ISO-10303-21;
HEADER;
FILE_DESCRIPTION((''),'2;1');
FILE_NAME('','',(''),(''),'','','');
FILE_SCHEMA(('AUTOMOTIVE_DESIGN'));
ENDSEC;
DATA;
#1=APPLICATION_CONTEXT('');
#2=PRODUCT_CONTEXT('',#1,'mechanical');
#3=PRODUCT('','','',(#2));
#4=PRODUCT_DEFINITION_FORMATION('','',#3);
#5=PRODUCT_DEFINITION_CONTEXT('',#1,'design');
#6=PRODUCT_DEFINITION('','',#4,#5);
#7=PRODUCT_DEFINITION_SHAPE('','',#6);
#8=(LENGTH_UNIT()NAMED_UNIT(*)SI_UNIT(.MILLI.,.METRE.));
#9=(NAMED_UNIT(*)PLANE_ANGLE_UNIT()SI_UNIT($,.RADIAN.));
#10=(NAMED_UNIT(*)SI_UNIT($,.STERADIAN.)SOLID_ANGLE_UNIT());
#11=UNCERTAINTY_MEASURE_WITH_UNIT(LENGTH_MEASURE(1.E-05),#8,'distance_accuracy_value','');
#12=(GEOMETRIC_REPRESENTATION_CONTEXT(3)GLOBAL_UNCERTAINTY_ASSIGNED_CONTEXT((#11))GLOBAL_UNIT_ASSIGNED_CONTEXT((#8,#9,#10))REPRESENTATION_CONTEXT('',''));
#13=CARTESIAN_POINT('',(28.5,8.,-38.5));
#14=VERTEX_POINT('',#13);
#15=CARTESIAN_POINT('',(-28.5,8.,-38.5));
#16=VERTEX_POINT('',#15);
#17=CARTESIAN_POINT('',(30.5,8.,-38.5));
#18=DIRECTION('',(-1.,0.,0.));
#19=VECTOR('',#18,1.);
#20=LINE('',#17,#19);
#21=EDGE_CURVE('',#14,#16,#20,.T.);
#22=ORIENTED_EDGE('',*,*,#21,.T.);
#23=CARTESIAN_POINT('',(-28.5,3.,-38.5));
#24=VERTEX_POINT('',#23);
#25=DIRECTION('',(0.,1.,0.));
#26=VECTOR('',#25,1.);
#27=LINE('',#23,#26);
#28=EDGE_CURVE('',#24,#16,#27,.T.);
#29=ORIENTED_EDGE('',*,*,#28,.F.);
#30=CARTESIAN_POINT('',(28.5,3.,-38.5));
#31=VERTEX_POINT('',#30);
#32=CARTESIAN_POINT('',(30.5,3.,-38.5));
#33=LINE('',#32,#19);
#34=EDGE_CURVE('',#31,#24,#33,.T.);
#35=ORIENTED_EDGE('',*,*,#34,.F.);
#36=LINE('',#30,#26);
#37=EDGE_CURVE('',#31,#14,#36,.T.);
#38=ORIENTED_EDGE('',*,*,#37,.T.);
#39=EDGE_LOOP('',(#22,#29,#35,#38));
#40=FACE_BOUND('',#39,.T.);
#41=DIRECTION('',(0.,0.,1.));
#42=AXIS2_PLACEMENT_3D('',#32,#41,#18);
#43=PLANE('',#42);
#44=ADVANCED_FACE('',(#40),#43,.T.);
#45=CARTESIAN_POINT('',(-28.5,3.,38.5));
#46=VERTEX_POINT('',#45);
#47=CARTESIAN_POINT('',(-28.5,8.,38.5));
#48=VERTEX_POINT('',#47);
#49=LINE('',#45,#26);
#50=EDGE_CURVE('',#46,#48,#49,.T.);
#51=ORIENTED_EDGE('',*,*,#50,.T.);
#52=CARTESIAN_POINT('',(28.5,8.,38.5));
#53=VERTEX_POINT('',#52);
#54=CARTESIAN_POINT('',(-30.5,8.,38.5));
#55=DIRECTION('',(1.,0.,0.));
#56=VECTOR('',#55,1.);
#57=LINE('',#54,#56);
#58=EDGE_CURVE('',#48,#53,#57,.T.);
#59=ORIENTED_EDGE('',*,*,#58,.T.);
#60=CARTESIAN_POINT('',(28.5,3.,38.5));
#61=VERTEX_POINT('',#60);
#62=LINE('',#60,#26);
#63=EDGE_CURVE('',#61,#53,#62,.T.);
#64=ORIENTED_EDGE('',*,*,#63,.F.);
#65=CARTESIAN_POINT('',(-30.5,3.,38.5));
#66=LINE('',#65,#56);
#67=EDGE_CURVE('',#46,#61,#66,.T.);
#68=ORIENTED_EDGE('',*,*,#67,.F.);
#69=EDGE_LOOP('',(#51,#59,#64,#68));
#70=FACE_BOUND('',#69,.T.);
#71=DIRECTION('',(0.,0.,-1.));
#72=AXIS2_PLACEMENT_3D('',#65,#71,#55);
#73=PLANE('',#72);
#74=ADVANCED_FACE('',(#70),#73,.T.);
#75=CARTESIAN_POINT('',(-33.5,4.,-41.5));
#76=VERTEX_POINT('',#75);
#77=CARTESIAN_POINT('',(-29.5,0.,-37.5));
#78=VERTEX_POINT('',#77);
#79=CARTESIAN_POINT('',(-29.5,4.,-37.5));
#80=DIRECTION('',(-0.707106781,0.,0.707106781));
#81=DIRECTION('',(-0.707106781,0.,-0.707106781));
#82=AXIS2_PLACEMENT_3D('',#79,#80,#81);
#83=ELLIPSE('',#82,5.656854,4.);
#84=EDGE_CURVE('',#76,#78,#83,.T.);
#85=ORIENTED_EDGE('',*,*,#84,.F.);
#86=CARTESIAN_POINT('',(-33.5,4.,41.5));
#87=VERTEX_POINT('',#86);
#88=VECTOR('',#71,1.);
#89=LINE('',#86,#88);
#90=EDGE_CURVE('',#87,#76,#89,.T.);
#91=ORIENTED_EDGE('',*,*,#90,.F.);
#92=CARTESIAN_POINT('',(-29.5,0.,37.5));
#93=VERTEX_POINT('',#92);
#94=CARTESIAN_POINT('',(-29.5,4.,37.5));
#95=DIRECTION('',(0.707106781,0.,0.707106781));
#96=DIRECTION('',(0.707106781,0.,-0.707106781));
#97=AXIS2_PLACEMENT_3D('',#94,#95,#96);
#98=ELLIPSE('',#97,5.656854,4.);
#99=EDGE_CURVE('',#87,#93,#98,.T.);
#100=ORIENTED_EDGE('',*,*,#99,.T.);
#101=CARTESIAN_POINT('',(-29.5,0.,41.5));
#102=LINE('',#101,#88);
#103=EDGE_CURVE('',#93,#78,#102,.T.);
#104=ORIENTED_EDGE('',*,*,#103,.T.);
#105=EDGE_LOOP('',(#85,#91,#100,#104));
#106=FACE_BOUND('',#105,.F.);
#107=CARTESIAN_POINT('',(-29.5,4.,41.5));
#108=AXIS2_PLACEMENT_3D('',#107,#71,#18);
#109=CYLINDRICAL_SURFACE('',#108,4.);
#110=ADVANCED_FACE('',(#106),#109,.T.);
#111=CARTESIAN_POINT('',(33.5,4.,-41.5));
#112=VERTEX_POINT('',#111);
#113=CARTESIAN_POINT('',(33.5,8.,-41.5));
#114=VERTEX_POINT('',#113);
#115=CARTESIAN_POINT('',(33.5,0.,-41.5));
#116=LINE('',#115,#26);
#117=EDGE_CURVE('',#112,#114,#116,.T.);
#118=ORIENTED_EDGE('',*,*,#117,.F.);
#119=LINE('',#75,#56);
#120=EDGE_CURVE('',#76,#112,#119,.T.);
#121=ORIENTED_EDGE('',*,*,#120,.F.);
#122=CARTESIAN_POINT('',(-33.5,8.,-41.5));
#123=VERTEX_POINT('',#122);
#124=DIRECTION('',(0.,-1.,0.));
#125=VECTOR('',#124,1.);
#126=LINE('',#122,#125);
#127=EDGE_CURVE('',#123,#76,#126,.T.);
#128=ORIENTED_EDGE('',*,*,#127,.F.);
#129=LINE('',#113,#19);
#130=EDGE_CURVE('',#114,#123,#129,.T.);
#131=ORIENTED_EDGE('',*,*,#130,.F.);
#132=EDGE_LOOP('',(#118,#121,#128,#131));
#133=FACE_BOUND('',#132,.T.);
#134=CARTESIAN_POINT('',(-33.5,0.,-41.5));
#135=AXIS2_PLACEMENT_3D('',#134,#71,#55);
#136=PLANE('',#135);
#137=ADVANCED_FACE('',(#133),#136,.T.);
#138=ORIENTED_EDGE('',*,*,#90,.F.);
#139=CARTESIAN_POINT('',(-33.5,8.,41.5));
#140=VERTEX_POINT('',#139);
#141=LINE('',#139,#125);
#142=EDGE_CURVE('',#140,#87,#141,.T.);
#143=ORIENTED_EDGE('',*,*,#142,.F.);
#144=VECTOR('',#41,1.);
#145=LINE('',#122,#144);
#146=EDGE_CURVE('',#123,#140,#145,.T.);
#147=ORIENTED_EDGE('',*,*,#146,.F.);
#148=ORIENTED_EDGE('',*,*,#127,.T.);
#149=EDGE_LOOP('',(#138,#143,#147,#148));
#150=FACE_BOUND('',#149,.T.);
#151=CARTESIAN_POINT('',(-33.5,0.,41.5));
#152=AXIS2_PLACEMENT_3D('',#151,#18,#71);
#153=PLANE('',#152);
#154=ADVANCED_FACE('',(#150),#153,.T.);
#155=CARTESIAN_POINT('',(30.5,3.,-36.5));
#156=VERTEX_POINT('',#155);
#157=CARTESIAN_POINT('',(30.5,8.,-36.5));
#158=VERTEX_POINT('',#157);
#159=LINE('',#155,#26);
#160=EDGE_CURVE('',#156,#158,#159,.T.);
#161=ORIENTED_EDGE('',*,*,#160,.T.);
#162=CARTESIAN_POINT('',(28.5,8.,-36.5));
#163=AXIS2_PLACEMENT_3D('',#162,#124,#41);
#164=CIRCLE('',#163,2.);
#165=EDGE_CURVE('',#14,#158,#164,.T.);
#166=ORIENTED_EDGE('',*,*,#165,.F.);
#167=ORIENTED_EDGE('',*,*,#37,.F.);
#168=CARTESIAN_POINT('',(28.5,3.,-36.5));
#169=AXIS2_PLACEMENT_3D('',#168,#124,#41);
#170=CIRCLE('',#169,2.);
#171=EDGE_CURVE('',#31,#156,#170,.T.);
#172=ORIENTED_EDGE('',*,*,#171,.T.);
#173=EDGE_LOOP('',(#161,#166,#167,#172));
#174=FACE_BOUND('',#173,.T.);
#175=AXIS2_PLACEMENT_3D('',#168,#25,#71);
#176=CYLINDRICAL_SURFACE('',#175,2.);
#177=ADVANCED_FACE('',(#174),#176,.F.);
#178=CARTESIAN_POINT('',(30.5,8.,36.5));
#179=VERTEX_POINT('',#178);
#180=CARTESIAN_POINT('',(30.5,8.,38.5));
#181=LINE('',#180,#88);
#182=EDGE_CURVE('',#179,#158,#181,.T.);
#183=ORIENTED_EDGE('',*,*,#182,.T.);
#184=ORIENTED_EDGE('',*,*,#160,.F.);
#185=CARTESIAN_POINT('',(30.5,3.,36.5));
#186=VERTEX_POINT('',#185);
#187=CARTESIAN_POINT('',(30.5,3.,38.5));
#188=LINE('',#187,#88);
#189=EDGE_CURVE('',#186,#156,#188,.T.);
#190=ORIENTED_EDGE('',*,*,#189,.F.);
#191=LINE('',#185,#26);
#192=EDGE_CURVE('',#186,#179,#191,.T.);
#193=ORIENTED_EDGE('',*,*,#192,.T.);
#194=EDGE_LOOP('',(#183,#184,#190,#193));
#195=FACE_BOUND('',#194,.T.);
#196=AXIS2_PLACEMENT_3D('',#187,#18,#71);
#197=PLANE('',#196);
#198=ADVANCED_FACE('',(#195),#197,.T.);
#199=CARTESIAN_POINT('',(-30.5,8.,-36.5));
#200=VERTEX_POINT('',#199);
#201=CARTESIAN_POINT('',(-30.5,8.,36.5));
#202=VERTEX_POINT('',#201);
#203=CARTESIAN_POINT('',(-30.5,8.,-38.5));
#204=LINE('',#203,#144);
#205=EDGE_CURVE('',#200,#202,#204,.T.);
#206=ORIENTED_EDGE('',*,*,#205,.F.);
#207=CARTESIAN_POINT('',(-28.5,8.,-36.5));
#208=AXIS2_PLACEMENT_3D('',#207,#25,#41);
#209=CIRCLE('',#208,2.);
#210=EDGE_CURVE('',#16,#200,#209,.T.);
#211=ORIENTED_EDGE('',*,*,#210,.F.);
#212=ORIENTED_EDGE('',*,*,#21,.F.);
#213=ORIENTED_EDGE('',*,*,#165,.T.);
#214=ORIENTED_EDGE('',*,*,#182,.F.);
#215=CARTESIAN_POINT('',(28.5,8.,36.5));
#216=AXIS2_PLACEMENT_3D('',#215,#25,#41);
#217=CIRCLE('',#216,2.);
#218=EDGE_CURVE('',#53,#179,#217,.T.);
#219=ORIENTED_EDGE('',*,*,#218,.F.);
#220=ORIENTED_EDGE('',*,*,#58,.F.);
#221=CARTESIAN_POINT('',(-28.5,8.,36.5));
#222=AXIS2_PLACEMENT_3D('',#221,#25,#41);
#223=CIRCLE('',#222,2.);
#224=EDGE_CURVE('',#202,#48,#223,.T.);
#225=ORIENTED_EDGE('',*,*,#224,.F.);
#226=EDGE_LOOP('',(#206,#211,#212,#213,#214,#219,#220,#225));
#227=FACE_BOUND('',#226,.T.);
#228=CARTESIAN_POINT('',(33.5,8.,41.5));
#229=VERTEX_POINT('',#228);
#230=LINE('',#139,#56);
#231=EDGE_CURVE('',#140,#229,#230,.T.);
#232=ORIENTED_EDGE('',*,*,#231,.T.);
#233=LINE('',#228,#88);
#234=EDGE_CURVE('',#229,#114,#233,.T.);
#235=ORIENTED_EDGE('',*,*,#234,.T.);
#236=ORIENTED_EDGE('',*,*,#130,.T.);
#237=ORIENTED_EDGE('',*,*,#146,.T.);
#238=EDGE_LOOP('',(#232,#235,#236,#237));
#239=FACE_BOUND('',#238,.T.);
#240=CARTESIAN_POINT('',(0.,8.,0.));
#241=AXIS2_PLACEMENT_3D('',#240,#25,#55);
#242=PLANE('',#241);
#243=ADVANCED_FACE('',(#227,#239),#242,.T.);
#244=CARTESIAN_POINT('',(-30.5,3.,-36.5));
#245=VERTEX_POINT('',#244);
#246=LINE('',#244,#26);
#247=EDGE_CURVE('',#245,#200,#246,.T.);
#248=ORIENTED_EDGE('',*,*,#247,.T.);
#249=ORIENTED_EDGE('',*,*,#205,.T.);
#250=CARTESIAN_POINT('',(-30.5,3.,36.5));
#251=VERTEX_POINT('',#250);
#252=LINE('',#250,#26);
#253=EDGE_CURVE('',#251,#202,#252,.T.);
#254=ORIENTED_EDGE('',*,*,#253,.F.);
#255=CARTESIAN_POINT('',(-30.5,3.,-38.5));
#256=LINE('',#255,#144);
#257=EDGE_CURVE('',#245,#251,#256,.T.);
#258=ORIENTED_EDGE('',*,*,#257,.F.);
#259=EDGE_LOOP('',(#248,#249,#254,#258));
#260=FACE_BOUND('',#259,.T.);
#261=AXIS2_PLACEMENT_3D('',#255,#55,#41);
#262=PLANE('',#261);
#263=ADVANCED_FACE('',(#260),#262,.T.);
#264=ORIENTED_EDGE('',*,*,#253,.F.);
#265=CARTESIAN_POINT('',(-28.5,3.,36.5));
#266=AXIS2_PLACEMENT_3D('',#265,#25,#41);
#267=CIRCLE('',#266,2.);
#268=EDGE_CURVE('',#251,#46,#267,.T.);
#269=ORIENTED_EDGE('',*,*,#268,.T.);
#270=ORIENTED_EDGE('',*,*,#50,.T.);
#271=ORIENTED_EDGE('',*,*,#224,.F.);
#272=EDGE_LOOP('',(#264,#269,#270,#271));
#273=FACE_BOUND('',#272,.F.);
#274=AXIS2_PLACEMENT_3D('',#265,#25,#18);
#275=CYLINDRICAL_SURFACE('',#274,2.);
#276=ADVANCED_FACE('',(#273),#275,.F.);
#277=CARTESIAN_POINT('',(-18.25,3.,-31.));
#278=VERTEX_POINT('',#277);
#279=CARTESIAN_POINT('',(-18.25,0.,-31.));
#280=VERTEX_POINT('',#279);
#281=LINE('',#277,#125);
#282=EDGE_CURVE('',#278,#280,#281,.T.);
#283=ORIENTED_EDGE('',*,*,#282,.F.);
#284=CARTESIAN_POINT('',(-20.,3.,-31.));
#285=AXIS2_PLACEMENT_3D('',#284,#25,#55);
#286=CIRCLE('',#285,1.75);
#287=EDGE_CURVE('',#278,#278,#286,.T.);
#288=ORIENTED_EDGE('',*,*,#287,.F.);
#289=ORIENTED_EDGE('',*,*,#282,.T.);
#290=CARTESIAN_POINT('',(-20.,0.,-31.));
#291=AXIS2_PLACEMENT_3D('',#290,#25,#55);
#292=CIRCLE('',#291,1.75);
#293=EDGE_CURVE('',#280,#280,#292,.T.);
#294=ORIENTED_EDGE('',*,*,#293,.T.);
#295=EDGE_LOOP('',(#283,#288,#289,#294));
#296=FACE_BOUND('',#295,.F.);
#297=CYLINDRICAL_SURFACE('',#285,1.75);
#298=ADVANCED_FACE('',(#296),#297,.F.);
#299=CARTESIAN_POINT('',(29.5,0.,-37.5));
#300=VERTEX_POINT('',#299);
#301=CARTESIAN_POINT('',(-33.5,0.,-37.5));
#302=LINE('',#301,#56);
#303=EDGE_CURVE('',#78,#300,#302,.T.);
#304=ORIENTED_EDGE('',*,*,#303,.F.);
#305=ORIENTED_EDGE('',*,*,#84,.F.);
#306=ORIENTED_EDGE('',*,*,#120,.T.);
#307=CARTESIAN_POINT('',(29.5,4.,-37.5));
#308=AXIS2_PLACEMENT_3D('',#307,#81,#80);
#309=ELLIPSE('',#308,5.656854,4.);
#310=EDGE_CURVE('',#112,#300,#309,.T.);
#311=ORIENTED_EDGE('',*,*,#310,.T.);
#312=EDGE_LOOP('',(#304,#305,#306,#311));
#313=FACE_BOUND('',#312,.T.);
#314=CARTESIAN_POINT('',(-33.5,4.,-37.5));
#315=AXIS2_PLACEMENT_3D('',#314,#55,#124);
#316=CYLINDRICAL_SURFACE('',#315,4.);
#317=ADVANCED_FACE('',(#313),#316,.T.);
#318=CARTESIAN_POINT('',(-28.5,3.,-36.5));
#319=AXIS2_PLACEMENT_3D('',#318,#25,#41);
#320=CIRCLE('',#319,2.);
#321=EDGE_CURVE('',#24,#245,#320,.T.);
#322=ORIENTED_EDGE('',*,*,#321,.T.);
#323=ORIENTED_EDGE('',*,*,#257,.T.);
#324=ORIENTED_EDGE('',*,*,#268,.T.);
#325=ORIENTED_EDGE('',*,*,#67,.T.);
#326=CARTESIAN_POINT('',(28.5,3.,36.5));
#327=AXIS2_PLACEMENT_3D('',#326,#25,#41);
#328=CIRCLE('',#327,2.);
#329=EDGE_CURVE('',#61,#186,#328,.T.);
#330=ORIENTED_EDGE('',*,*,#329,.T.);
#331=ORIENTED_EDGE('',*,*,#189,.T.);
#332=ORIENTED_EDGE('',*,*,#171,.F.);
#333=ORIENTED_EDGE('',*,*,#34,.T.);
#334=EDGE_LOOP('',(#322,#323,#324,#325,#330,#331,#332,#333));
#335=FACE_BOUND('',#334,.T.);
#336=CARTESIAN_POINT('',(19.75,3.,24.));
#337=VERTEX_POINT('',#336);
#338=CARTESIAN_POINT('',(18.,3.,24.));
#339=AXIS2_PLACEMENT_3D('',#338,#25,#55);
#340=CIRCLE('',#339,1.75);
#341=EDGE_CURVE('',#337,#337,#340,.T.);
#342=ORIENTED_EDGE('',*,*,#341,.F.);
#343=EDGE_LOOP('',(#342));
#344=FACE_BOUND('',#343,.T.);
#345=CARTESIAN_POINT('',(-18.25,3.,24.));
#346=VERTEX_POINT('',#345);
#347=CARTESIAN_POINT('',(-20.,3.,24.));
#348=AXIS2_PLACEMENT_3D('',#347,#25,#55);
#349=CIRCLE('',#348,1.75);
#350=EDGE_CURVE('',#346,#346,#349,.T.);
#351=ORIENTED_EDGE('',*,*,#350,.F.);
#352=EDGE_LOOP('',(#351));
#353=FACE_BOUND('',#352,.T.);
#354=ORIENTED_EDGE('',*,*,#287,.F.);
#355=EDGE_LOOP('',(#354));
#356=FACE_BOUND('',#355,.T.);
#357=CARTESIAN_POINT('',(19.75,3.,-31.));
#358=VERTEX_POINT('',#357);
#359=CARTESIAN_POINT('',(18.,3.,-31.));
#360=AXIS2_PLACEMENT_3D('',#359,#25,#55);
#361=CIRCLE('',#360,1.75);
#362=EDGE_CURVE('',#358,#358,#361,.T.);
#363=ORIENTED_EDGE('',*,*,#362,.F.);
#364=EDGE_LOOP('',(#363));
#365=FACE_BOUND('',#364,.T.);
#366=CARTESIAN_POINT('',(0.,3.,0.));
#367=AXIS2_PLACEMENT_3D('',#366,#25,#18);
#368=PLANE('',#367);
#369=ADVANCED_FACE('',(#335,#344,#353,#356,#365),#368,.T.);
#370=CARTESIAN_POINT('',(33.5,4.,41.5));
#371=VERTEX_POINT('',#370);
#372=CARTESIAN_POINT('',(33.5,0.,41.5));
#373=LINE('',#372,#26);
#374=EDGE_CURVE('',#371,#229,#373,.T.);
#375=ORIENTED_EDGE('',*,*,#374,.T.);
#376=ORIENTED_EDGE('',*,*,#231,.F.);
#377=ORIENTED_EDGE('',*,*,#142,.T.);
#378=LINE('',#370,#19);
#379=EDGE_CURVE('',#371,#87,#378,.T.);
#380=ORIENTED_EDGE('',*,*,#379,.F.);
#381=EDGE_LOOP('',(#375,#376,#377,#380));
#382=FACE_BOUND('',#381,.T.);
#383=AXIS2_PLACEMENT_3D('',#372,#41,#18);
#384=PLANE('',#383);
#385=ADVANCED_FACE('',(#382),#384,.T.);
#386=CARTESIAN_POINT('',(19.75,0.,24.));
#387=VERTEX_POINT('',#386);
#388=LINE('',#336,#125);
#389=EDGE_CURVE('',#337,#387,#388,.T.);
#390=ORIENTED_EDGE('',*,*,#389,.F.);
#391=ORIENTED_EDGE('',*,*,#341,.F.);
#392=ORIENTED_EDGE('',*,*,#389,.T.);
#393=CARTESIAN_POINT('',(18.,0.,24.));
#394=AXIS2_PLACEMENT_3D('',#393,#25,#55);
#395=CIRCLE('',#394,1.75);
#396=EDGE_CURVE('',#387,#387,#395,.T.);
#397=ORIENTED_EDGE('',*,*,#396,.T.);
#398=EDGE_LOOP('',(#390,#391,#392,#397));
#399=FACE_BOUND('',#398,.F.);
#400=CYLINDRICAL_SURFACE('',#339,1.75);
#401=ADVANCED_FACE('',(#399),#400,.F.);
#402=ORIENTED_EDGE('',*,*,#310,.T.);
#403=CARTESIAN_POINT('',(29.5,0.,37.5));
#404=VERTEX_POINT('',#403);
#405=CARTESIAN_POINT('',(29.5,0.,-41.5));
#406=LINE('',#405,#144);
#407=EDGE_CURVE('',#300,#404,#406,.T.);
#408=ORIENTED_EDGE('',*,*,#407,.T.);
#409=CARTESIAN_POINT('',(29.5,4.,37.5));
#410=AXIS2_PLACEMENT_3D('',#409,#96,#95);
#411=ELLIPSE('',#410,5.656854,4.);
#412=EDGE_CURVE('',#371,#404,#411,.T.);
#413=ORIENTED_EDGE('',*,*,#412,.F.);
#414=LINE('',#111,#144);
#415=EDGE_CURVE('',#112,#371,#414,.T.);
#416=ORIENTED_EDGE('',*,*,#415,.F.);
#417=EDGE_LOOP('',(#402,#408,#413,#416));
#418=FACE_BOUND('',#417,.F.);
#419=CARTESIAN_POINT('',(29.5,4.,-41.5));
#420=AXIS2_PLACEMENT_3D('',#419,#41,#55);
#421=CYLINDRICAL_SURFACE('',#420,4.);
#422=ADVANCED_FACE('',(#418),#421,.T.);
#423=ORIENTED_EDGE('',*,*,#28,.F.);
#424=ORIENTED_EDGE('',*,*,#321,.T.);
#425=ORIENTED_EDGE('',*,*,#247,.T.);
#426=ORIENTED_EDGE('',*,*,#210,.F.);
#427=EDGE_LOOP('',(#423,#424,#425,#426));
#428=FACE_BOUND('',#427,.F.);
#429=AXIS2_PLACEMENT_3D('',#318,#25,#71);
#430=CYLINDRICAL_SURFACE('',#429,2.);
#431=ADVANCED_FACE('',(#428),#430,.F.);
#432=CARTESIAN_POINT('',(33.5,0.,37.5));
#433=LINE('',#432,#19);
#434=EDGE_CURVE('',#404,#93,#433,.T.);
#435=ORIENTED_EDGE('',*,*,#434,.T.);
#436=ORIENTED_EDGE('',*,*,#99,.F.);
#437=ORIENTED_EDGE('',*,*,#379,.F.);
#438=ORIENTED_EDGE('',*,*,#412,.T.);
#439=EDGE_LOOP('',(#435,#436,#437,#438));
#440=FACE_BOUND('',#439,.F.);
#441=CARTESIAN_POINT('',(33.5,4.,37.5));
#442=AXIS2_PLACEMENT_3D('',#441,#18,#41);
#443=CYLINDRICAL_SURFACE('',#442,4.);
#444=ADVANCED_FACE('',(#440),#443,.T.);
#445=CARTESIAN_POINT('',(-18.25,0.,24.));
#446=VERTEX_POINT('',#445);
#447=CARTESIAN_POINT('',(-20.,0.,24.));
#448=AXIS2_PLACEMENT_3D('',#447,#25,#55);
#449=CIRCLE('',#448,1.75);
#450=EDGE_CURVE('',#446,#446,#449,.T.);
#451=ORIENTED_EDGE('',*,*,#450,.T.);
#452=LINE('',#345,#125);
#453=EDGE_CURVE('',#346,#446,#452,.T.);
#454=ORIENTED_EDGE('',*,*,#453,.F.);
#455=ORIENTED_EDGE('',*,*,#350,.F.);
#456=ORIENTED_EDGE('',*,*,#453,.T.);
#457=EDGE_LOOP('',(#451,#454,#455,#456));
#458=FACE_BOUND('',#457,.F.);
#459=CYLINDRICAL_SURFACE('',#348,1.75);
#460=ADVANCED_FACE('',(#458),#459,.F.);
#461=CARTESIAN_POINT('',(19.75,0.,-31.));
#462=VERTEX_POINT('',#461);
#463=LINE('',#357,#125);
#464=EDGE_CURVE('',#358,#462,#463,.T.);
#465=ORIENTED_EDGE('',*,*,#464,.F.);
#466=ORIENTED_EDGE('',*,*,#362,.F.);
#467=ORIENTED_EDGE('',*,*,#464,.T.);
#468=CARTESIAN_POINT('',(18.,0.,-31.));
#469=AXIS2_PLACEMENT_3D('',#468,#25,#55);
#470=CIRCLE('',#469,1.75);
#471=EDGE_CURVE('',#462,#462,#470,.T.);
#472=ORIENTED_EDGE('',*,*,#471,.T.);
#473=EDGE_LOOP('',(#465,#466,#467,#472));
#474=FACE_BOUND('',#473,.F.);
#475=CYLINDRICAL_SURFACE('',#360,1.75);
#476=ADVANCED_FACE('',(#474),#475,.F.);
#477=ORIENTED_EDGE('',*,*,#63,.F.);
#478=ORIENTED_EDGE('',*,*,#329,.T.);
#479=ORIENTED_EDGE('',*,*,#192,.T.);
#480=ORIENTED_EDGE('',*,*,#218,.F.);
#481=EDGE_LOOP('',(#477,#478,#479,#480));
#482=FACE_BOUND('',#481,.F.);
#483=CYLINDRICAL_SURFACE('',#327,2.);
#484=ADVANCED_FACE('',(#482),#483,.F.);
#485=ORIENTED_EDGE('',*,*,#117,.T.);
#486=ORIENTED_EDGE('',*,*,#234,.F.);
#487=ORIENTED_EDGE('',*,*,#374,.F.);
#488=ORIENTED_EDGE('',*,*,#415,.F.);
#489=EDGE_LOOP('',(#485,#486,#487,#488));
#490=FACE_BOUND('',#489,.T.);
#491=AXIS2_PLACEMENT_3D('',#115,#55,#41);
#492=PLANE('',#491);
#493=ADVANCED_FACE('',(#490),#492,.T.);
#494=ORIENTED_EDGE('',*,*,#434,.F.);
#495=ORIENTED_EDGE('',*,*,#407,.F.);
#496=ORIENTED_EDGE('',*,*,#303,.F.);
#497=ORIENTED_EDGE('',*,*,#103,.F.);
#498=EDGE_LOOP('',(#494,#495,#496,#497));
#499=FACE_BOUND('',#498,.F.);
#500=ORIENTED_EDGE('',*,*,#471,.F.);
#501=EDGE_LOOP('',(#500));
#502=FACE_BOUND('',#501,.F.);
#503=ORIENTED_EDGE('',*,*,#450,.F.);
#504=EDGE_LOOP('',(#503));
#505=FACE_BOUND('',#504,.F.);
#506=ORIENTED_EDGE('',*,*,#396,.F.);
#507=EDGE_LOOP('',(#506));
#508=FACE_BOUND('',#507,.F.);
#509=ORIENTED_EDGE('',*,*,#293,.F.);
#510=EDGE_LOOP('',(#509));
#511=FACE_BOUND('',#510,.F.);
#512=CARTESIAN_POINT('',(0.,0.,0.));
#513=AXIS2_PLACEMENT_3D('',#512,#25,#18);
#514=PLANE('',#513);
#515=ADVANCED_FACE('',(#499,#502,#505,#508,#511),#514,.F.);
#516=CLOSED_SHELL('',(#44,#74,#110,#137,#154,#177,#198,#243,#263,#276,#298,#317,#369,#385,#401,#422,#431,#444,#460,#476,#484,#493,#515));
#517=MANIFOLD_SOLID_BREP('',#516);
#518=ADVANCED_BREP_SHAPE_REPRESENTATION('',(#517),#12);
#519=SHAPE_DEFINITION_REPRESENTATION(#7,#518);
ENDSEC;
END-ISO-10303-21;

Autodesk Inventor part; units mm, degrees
ref_plane "YZ Plane" through (0, 0, 0) normal (1, 0, 0) x (0, 1, 0)
ref_plane "XZ Plane" through (0, 0, 0) normal (0, 1, 0) x (-1, 0, 0)
ref_plane "XY Plane" through (0, 0, 0) normal (0, 0, 1) x (1, 0, 0)
sketch "Sketch1" plane through (0, 0, 0) normal (0, 1, 0) x (-1, 0, 0)
  line L0 (-33.5, 41.5) -> (33.5, 41.5)
  line L1 (33.5, 41.5) -> (33.5, -41.5)
  line L2 (33.5, -41.5) -> (-33.5, -41.5)
  line L3 (-33.5, -41.5) -> (-33.5, 41.5)
  line L4 (-33.5, 41.5) -> (33.5, -41.5) construction
  line L5 (33.5, 41.5) -> (-33.5, -41.5) construction
  point P0 (0, 0)
  dimension "d0" = 67
  dimension "d1" = 83
extrude "Extrusion1" add sketch "Sketch1" along normal blind 3
sketch "Sketch2" plane through (0, 3, 0) normal (0, 1, 0) x (1, 0, 0)
  line L0 (-33.5, 41.5) -> (-33.5, -41.5) projected
  line L1 (33.5, 41.5) -> (-33.5, 41.5)
  line L2 (-33.5, 41.5) -> (-33.5, -41.5)
  line L3 (-33.5, -41.5) -> (33.5, -41.5)
  line L4 (33.5, -41.5) -> (33.5, 41.5)
  line L5 (33.5, 41.5) -> (-33.5, -41.5) construction
  line L6 (-33.5, 41.5) -> (33.5, -41.5) construction
  line L7 (30.5, 38.5) -> (-30.5, 38.5)
  line L8 (-30.5, 38.5) -> (-30.5, -38.5)
  line L9 (-30.5, -38.5) -> (30.5, -38.5)
  line L10 (30.5, -38.5) -> (30.5, 38.5)
  line L11 (30.5, 38.5) -> (-30.5, -38.5) construction
  line L12 (-30.5, 38.5) -> (30.5, -38.5) construction
  point P0 (0, 0)
  dimension "d4" = 61
  dimension "d5" = 77
extrude "Extrusion2" add sketch "Sketch2" along normal blind 5
sketch "Sketch3" plane through (0, 3, 0) normal (0, 1, 0) x (1, 0, 0)
  circle A0 centre (18, 31) radius 1.75
  line L0 (-30.5, 38.5) -> (30.5, 38.5) projected
  line L1 (30.5, 38.5) -> (30.5, -38.5) projected
  circle A1 centre (18, -24) radius 1.75
  circle A2 centre (-20, 31) radius 1.75
  circle A3 centre (-20, -24) radius 1.75
  point P0 (0, 0)
  point P1 (30.5, -38.5)
  point P2 (26, 41.5)
  point P3 (26, -41.5)
  dimension "d8" = 3.5
  dimension "d9" = 7.5
  dimension "d10" = 12.5
  dimension "d13" = 55
  dimension "d16" = 38
extrude "Extrusion3" cut sketch "Sketch3" against normal blind 5
fillet "Fillet1" radius 4 4 edges at (33.5, 0, 0) (-33.5, 0, 0) (0, 0, 41.5) (0, 0, -41.5)
fillet "Fillet2" radius 2 4 edges at (-30.5, 5.5, -38.5) (30.5, 5.5, -38.5) (30.5, 5.5, 38.5) (-30.5, 5.5, 38.5)
properties part number "Motor_Node_top"
